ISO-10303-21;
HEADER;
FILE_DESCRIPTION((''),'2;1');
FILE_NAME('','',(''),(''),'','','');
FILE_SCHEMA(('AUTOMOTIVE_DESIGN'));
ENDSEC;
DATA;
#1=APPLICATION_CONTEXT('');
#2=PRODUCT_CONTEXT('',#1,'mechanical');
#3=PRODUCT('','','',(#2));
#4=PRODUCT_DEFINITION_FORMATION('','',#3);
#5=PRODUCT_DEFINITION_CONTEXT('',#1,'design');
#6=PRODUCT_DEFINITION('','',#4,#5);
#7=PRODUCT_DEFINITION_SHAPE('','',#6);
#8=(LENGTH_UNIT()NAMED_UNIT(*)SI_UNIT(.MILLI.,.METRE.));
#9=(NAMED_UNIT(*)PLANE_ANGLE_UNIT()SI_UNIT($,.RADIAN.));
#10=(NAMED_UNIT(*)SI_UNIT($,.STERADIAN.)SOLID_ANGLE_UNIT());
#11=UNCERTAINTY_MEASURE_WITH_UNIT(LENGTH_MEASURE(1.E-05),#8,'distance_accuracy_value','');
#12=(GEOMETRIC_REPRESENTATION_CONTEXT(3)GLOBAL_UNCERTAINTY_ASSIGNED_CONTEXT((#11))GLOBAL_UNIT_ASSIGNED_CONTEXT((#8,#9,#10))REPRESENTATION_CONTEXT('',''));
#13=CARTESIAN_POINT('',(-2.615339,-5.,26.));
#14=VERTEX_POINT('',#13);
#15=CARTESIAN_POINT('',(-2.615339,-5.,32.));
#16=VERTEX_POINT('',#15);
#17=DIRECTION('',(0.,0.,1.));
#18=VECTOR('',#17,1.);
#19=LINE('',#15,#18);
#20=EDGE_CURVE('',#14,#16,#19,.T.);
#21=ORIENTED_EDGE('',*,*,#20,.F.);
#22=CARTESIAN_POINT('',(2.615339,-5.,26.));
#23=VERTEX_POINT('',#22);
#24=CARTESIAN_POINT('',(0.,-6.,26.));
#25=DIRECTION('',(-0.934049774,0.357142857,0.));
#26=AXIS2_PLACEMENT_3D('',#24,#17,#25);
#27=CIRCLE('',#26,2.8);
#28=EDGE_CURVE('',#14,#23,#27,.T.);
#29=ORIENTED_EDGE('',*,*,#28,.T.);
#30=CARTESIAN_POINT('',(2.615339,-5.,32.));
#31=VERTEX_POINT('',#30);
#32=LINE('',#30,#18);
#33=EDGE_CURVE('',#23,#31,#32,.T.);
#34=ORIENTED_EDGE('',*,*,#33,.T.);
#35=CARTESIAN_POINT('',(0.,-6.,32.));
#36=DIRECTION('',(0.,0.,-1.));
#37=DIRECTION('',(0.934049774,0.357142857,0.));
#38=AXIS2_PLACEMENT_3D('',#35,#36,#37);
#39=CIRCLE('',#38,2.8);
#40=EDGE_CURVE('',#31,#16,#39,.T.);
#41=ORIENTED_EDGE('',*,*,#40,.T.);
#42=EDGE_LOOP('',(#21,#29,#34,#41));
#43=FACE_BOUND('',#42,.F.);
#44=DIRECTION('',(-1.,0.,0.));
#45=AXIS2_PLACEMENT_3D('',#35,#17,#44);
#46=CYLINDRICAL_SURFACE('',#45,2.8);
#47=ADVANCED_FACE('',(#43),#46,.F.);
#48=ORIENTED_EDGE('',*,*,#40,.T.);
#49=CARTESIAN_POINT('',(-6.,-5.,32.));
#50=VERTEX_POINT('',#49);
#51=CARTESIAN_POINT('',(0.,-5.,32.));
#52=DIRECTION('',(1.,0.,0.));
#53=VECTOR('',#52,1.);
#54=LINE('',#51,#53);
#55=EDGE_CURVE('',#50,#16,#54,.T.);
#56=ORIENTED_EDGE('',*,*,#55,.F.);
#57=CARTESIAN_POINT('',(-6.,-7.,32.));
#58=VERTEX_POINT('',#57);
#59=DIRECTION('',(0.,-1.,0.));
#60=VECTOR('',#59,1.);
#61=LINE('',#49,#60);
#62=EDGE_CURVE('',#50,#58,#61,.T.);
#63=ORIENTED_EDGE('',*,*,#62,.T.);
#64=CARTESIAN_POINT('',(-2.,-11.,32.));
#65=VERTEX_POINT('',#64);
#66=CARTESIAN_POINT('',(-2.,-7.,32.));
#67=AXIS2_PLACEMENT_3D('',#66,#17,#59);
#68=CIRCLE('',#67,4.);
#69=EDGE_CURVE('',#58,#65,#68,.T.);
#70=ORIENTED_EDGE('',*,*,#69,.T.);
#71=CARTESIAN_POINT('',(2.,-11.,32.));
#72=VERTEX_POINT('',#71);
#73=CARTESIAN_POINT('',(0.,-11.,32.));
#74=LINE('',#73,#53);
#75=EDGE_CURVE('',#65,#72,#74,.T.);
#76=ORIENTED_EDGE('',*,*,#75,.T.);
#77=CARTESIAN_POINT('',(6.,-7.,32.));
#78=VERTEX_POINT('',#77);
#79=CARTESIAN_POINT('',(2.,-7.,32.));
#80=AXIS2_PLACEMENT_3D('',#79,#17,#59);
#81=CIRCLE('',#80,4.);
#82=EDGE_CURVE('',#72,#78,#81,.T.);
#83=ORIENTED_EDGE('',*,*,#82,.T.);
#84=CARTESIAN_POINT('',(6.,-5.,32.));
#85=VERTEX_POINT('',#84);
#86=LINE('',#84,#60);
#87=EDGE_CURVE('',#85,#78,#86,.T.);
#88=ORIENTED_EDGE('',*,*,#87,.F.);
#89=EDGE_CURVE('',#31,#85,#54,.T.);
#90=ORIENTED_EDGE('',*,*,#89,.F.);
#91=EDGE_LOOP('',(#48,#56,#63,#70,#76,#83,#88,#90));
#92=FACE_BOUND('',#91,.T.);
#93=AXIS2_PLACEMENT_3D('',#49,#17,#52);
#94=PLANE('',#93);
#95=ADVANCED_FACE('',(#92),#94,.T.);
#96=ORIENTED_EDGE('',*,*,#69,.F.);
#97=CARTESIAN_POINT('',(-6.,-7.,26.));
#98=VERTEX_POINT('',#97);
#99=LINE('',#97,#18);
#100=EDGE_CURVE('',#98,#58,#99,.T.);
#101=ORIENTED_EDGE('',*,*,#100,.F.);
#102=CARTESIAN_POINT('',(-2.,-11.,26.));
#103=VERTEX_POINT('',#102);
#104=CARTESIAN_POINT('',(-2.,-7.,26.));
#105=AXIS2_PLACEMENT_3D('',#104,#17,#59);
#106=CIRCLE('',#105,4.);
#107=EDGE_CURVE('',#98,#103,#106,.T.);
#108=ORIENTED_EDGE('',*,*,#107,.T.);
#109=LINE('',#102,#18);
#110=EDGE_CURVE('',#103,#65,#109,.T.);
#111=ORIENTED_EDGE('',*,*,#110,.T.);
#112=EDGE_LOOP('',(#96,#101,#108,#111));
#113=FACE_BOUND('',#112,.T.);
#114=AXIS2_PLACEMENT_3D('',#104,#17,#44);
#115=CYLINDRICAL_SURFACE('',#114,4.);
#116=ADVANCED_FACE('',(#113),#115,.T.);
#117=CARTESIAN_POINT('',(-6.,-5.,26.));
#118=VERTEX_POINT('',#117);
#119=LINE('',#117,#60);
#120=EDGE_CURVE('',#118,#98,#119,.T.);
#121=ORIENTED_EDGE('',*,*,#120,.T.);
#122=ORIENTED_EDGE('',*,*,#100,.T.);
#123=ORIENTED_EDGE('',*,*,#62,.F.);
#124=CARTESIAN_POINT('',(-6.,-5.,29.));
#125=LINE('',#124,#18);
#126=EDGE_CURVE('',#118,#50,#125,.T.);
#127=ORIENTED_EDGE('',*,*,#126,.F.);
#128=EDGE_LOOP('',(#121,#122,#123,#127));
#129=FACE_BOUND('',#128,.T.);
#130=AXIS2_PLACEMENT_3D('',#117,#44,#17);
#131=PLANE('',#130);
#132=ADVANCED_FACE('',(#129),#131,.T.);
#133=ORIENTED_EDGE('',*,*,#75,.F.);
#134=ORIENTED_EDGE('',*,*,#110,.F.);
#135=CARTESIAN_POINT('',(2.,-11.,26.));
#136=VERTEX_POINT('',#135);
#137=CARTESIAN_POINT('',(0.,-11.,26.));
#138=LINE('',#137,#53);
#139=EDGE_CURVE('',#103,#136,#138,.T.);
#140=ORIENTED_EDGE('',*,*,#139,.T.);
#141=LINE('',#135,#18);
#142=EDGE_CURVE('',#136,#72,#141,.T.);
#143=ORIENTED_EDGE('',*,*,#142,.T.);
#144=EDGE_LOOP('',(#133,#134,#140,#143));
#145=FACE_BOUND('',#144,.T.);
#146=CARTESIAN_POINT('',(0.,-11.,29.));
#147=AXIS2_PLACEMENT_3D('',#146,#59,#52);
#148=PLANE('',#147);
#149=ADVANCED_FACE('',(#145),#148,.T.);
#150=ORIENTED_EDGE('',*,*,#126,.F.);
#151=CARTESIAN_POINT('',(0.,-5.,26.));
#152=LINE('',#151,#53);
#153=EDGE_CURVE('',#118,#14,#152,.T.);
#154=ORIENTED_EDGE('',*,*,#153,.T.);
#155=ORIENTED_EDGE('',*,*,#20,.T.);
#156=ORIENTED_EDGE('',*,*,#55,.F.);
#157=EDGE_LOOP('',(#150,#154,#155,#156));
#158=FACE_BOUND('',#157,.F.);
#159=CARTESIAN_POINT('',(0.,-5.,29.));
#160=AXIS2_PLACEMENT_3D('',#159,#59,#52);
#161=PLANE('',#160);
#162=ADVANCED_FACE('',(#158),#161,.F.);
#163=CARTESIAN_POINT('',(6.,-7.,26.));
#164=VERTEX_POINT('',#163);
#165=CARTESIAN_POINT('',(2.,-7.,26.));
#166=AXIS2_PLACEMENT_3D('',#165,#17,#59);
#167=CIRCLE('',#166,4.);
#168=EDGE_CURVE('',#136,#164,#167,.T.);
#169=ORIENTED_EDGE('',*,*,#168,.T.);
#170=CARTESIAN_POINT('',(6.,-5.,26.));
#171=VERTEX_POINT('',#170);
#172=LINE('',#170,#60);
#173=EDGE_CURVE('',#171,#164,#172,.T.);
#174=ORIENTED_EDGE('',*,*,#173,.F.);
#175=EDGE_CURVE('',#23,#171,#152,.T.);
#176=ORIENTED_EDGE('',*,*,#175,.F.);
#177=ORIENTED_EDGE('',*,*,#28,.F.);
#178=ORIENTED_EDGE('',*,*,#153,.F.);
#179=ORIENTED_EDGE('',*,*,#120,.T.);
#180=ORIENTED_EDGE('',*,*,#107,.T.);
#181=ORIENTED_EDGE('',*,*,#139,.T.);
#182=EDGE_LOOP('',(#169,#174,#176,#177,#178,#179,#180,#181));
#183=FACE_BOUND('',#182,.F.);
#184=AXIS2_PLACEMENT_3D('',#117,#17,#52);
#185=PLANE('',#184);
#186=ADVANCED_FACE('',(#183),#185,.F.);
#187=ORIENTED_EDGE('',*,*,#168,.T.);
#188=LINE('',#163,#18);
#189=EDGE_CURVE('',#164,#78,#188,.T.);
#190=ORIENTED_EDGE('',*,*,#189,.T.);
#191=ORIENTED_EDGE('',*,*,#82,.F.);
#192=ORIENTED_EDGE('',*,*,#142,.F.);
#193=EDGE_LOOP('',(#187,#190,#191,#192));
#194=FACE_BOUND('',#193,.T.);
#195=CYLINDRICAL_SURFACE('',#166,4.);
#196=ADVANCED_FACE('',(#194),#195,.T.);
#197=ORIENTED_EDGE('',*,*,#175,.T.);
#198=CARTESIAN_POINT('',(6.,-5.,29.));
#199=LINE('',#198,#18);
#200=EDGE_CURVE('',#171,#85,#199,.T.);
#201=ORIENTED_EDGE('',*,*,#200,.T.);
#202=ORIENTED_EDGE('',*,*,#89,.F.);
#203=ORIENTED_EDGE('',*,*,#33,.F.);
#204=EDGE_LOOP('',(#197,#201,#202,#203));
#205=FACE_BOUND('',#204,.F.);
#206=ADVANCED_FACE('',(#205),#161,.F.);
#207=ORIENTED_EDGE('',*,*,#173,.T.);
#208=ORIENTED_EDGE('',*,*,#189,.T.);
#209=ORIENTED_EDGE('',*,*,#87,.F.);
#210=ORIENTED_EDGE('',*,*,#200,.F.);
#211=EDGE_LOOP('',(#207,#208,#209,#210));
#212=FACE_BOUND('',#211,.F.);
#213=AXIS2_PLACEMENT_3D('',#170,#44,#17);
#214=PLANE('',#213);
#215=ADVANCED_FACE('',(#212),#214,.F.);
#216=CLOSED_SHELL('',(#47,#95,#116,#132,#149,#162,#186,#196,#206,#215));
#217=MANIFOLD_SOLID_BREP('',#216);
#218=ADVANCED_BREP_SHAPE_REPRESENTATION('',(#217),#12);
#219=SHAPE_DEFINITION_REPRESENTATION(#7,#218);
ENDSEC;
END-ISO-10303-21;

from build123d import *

# Parameters (mm, degrees)
SKETCH006_W     = 12
SKETCH006_H     = 6
PAD002_DEPTH    = 6
SKETCH007_R     = 2.8
POCKET004_DEPTH = 6.001
FILLET_R        = 4


with BuildPart() as part:
    # Sketch006 → Pad002 (new body)
    with BuildSketch(Plane.XZ.offset(5)):
        with Locations((0, 29)):
            Rectangle(SKETCH006_W, SKETCH006_H)
    extrude(amount=PAD002_DEPTH)

    # Sketch007 → Pocket004 (cut, through all)
    with BuildSketch(Plane(origin=(0, -5, 32), x_dir=(-1, 0, 0), z_dir=(0, 0, 1))):
        with Locations((0, 1)):
            Circle(SKETCH007_R)
    extrude(amount=-POCKET004_DEPTH, mode=Mode.SUBTRACT)

    # Fillet
    fillet_edges = [part.edges().sort_by_distance(p)[0] for p in [
        (-6, -11, 29),
        (6, -11, 29),
    ]]
    fillet(fillet_edges, radius=FILLET_R)


solid = part.part
